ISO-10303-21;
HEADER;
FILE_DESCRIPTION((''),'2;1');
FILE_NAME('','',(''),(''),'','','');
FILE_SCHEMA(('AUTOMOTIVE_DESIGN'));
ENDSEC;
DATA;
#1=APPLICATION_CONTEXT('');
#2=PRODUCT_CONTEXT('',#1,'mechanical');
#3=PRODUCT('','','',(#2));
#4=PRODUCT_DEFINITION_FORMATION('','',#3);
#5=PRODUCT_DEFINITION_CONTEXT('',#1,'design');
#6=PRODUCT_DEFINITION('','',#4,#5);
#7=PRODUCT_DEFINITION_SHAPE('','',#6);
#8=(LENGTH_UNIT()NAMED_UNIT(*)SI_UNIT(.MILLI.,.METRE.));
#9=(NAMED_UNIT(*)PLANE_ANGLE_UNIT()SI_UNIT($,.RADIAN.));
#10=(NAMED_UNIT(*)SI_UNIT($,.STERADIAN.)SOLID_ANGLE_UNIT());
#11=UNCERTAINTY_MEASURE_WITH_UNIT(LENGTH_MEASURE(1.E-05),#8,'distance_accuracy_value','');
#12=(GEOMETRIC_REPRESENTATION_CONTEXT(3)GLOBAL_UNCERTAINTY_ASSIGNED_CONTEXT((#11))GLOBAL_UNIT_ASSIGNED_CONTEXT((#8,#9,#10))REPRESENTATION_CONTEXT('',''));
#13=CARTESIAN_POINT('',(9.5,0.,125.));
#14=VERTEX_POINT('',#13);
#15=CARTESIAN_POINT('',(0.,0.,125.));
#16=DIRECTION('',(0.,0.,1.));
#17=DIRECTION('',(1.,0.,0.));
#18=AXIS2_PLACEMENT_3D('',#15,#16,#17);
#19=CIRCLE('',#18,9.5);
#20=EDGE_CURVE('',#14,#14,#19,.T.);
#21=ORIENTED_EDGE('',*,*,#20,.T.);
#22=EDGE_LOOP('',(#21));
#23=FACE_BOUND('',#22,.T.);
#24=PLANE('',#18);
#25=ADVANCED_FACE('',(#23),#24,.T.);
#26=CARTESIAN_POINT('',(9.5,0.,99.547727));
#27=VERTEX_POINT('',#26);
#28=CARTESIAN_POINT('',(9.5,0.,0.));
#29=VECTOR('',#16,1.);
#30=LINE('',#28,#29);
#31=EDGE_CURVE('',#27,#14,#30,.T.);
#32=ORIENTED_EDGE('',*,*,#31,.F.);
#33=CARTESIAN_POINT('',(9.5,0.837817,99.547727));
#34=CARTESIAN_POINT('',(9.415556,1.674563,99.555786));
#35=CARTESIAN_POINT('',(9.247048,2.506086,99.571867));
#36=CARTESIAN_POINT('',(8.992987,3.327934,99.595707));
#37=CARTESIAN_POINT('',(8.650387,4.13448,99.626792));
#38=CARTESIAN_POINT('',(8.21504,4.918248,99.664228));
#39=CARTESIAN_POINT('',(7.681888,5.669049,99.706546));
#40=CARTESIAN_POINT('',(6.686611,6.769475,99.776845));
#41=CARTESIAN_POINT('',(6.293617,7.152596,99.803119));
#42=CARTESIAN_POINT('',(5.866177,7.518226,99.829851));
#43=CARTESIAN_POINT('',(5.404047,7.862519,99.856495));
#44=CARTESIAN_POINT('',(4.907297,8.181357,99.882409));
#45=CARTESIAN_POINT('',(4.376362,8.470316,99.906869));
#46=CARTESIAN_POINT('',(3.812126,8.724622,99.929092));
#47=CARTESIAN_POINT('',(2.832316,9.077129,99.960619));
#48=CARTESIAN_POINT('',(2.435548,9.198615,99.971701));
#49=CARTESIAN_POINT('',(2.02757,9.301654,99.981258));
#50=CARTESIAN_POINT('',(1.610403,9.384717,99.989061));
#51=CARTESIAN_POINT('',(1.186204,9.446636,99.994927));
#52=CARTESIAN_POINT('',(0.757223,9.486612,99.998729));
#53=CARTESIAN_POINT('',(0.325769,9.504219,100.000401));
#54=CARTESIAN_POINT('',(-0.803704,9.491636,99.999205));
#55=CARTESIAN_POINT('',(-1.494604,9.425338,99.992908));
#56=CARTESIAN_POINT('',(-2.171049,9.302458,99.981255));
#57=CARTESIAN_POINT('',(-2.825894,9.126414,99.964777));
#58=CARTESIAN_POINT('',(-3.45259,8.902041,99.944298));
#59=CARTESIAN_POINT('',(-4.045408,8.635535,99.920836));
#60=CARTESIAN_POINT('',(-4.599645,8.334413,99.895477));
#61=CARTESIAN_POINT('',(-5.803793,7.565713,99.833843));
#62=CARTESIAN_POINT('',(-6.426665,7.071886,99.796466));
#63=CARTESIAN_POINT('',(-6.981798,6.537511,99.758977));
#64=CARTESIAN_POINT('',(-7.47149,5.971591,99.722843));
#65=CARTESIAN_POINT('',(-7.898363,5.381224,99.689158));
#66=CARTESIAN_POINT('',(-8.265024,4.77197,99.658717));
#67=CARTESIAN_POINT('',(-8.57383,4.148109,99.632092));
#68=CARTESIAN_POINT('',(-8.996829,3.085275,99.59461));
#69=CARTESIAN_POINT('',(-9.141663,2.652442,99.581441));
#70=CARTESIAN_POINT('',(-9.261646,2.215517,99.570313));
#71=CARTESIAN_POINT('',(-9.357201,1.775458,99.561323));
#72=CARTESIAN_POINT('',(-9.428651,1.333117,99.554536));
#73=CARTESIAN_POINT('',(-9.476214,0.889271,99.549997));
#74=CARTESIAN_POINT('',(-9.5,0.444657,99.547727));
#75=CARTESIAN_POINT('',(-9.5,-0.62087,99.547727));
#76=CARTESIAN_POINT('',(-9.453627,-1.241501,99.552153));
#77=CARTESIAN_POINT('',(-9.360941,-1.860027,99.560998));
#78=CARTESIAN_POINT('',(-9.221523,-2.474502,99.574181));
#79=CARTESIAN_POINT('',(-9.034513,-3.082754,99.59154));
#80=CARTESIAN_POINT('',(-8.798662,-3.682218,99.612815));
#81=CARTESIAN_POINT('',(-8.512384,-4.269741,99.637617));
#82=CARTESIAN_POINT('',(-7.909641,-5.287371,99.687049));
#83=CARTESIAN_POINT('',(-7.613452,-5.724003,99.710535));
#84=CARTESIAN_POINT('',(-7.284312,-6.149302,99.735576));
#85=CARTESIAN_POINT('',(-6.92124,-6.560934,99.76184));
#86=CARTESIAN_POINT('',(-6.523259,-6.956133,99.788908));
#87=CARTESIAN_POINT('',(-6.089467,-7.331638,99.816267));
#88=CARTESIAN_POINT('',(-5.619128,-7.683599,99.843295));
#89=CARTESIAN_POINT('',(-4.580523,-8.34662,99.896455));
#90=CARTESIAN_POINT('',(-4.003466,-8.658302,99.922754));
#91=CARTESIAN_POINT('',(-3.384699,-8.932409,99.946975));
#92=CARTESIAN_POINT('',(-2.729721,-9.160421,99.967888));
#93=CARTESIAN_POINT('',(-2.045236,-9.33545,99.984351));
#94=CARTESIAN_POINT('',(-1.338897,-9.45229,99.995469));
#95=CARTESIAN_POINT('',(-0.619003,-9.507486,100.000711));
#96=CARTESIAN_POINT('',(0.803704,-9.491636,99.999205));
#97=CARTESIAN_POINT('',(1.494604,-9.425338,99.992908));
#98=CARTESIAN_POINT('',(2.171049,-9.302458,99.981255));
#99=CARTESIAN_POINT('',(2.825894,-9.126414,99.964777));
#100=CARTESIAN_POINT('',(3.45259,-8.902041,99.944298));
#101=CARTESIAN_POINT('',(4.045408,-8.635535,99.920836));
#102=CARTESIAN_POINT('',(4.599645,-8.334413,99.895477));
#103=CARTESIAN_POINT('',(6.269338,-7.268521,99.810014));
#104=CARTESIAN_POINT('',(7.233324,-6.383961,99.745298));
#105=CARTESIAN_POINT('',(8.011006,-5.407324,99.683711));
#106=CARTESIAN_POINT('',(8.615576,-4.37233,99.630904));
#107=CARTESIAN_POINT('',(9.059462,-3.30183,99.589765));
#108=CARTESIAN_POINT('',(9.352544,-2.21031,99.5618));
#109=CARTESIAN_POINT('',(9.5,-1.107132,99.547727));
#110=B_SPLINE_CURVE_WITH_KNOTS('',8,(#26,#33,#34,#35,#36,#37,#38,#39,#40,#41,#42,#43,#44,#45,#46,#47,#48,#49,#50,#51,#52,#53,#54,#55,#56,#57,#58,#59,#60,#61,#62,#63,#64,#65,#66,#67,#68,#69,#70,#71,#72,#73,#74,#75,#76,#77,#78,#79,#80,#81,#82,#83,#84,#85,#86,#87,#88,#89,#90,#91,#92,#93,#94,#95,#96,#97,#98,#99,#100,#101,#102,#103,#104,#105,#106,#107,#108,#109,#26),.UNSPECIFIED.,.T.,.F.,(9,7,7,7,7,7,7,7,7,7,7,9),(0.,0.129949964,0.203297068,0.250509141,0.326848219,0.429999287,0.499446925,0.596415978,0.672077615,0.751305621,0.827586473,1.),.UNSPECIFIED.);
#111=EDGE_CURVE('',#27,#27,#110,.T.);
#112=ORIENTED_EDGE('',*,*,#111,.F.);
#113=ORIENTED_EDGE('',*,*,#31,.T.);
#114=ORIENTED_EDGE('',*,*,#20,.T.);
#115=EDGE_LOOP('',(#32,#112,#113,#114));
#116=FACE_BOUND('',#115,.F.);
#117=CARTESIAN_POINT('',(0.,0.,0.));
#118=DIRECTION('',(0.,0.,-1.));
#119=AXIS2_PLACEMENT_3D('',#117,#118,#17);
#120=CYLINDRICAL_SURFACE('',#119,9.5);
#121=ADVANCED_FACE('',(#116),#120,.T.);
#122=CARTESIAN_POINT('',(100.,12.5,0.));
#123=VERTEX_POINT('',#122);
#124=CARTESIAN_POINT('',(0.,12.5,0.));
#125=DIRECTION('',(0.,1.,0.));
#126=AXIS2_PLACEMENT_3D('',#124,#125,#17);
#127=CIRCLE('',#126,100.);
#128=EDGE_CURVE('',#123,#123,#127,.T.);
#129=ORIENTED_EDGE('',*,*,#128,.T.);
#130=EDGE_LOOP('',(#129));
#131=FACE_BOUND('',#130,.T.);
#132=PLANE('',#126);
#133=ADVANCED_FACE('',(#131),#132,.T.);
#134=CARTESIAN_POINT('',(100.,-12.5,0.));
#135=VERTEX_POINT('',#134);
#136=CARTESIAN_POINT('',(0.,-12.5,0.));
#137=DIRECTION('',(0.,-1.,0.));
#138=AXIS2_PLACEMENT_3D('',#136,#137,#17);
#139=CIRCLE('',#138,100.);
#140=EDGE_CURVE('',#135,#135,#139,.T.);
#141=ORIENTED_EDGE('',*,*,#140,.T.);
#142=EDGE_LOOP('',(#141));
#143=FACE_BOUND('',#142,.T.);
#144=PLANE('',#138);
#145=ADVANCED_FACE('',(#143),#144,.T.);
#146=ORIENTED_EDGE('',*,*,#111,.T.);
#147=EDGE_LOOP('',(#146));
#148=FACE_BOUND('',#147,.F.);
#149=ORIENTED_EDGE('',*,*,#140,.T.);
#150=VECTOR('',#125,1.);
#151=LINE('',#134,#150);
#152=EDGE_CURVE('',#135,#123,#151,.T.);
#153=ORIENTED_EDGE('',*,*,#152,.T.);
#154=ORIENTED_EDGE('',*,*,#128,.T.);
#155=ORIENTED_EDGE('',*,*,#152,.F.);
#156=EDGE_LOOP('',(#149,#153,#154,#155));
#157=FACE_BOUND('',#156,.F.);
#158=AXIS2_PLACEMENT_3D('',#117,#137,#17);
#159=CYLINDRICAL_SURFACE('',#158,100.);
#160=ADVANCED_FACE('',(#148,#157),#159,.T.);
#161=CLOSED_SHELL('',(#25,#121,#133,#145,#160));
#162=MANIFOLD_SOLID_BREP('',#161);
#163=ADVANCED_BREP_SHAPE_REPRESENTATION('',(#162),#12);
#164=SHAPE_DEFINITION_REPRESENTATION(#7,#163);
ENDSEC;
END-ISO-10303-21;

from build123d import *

# Parameters (mm, degrees)
F0_R      = 100
F1_DEPTH  = 12.5
F1_FACE_R = 100
F2_DEPTH  = 12.5
F3_R      = 9.5
F4_DEPTH  = 125


with BuildPart() as f1:
    # F0 (on Front) → F1 (new body)
    with BuildSketch(Plane.XZ):
        Circle(F0_R)
    extrude(amount=F1_DEPTH)

    # F1_face (on face) → F2 (join)
    with BuildSketch(Plane(origin=(0, 0, 0), x_dir=(1, 0, 0), z_dir=(0, 1, 0))):
        Circle(F1_FACE_R)
    extrude(amount=F2_DEPTH)

    # F3 (on Top) → F4 (join)
    with BuildSketch(Plane.XY):
        Circle(F3_R)
    extrude(amount=F4_DEPTH)


solid = f1.part
